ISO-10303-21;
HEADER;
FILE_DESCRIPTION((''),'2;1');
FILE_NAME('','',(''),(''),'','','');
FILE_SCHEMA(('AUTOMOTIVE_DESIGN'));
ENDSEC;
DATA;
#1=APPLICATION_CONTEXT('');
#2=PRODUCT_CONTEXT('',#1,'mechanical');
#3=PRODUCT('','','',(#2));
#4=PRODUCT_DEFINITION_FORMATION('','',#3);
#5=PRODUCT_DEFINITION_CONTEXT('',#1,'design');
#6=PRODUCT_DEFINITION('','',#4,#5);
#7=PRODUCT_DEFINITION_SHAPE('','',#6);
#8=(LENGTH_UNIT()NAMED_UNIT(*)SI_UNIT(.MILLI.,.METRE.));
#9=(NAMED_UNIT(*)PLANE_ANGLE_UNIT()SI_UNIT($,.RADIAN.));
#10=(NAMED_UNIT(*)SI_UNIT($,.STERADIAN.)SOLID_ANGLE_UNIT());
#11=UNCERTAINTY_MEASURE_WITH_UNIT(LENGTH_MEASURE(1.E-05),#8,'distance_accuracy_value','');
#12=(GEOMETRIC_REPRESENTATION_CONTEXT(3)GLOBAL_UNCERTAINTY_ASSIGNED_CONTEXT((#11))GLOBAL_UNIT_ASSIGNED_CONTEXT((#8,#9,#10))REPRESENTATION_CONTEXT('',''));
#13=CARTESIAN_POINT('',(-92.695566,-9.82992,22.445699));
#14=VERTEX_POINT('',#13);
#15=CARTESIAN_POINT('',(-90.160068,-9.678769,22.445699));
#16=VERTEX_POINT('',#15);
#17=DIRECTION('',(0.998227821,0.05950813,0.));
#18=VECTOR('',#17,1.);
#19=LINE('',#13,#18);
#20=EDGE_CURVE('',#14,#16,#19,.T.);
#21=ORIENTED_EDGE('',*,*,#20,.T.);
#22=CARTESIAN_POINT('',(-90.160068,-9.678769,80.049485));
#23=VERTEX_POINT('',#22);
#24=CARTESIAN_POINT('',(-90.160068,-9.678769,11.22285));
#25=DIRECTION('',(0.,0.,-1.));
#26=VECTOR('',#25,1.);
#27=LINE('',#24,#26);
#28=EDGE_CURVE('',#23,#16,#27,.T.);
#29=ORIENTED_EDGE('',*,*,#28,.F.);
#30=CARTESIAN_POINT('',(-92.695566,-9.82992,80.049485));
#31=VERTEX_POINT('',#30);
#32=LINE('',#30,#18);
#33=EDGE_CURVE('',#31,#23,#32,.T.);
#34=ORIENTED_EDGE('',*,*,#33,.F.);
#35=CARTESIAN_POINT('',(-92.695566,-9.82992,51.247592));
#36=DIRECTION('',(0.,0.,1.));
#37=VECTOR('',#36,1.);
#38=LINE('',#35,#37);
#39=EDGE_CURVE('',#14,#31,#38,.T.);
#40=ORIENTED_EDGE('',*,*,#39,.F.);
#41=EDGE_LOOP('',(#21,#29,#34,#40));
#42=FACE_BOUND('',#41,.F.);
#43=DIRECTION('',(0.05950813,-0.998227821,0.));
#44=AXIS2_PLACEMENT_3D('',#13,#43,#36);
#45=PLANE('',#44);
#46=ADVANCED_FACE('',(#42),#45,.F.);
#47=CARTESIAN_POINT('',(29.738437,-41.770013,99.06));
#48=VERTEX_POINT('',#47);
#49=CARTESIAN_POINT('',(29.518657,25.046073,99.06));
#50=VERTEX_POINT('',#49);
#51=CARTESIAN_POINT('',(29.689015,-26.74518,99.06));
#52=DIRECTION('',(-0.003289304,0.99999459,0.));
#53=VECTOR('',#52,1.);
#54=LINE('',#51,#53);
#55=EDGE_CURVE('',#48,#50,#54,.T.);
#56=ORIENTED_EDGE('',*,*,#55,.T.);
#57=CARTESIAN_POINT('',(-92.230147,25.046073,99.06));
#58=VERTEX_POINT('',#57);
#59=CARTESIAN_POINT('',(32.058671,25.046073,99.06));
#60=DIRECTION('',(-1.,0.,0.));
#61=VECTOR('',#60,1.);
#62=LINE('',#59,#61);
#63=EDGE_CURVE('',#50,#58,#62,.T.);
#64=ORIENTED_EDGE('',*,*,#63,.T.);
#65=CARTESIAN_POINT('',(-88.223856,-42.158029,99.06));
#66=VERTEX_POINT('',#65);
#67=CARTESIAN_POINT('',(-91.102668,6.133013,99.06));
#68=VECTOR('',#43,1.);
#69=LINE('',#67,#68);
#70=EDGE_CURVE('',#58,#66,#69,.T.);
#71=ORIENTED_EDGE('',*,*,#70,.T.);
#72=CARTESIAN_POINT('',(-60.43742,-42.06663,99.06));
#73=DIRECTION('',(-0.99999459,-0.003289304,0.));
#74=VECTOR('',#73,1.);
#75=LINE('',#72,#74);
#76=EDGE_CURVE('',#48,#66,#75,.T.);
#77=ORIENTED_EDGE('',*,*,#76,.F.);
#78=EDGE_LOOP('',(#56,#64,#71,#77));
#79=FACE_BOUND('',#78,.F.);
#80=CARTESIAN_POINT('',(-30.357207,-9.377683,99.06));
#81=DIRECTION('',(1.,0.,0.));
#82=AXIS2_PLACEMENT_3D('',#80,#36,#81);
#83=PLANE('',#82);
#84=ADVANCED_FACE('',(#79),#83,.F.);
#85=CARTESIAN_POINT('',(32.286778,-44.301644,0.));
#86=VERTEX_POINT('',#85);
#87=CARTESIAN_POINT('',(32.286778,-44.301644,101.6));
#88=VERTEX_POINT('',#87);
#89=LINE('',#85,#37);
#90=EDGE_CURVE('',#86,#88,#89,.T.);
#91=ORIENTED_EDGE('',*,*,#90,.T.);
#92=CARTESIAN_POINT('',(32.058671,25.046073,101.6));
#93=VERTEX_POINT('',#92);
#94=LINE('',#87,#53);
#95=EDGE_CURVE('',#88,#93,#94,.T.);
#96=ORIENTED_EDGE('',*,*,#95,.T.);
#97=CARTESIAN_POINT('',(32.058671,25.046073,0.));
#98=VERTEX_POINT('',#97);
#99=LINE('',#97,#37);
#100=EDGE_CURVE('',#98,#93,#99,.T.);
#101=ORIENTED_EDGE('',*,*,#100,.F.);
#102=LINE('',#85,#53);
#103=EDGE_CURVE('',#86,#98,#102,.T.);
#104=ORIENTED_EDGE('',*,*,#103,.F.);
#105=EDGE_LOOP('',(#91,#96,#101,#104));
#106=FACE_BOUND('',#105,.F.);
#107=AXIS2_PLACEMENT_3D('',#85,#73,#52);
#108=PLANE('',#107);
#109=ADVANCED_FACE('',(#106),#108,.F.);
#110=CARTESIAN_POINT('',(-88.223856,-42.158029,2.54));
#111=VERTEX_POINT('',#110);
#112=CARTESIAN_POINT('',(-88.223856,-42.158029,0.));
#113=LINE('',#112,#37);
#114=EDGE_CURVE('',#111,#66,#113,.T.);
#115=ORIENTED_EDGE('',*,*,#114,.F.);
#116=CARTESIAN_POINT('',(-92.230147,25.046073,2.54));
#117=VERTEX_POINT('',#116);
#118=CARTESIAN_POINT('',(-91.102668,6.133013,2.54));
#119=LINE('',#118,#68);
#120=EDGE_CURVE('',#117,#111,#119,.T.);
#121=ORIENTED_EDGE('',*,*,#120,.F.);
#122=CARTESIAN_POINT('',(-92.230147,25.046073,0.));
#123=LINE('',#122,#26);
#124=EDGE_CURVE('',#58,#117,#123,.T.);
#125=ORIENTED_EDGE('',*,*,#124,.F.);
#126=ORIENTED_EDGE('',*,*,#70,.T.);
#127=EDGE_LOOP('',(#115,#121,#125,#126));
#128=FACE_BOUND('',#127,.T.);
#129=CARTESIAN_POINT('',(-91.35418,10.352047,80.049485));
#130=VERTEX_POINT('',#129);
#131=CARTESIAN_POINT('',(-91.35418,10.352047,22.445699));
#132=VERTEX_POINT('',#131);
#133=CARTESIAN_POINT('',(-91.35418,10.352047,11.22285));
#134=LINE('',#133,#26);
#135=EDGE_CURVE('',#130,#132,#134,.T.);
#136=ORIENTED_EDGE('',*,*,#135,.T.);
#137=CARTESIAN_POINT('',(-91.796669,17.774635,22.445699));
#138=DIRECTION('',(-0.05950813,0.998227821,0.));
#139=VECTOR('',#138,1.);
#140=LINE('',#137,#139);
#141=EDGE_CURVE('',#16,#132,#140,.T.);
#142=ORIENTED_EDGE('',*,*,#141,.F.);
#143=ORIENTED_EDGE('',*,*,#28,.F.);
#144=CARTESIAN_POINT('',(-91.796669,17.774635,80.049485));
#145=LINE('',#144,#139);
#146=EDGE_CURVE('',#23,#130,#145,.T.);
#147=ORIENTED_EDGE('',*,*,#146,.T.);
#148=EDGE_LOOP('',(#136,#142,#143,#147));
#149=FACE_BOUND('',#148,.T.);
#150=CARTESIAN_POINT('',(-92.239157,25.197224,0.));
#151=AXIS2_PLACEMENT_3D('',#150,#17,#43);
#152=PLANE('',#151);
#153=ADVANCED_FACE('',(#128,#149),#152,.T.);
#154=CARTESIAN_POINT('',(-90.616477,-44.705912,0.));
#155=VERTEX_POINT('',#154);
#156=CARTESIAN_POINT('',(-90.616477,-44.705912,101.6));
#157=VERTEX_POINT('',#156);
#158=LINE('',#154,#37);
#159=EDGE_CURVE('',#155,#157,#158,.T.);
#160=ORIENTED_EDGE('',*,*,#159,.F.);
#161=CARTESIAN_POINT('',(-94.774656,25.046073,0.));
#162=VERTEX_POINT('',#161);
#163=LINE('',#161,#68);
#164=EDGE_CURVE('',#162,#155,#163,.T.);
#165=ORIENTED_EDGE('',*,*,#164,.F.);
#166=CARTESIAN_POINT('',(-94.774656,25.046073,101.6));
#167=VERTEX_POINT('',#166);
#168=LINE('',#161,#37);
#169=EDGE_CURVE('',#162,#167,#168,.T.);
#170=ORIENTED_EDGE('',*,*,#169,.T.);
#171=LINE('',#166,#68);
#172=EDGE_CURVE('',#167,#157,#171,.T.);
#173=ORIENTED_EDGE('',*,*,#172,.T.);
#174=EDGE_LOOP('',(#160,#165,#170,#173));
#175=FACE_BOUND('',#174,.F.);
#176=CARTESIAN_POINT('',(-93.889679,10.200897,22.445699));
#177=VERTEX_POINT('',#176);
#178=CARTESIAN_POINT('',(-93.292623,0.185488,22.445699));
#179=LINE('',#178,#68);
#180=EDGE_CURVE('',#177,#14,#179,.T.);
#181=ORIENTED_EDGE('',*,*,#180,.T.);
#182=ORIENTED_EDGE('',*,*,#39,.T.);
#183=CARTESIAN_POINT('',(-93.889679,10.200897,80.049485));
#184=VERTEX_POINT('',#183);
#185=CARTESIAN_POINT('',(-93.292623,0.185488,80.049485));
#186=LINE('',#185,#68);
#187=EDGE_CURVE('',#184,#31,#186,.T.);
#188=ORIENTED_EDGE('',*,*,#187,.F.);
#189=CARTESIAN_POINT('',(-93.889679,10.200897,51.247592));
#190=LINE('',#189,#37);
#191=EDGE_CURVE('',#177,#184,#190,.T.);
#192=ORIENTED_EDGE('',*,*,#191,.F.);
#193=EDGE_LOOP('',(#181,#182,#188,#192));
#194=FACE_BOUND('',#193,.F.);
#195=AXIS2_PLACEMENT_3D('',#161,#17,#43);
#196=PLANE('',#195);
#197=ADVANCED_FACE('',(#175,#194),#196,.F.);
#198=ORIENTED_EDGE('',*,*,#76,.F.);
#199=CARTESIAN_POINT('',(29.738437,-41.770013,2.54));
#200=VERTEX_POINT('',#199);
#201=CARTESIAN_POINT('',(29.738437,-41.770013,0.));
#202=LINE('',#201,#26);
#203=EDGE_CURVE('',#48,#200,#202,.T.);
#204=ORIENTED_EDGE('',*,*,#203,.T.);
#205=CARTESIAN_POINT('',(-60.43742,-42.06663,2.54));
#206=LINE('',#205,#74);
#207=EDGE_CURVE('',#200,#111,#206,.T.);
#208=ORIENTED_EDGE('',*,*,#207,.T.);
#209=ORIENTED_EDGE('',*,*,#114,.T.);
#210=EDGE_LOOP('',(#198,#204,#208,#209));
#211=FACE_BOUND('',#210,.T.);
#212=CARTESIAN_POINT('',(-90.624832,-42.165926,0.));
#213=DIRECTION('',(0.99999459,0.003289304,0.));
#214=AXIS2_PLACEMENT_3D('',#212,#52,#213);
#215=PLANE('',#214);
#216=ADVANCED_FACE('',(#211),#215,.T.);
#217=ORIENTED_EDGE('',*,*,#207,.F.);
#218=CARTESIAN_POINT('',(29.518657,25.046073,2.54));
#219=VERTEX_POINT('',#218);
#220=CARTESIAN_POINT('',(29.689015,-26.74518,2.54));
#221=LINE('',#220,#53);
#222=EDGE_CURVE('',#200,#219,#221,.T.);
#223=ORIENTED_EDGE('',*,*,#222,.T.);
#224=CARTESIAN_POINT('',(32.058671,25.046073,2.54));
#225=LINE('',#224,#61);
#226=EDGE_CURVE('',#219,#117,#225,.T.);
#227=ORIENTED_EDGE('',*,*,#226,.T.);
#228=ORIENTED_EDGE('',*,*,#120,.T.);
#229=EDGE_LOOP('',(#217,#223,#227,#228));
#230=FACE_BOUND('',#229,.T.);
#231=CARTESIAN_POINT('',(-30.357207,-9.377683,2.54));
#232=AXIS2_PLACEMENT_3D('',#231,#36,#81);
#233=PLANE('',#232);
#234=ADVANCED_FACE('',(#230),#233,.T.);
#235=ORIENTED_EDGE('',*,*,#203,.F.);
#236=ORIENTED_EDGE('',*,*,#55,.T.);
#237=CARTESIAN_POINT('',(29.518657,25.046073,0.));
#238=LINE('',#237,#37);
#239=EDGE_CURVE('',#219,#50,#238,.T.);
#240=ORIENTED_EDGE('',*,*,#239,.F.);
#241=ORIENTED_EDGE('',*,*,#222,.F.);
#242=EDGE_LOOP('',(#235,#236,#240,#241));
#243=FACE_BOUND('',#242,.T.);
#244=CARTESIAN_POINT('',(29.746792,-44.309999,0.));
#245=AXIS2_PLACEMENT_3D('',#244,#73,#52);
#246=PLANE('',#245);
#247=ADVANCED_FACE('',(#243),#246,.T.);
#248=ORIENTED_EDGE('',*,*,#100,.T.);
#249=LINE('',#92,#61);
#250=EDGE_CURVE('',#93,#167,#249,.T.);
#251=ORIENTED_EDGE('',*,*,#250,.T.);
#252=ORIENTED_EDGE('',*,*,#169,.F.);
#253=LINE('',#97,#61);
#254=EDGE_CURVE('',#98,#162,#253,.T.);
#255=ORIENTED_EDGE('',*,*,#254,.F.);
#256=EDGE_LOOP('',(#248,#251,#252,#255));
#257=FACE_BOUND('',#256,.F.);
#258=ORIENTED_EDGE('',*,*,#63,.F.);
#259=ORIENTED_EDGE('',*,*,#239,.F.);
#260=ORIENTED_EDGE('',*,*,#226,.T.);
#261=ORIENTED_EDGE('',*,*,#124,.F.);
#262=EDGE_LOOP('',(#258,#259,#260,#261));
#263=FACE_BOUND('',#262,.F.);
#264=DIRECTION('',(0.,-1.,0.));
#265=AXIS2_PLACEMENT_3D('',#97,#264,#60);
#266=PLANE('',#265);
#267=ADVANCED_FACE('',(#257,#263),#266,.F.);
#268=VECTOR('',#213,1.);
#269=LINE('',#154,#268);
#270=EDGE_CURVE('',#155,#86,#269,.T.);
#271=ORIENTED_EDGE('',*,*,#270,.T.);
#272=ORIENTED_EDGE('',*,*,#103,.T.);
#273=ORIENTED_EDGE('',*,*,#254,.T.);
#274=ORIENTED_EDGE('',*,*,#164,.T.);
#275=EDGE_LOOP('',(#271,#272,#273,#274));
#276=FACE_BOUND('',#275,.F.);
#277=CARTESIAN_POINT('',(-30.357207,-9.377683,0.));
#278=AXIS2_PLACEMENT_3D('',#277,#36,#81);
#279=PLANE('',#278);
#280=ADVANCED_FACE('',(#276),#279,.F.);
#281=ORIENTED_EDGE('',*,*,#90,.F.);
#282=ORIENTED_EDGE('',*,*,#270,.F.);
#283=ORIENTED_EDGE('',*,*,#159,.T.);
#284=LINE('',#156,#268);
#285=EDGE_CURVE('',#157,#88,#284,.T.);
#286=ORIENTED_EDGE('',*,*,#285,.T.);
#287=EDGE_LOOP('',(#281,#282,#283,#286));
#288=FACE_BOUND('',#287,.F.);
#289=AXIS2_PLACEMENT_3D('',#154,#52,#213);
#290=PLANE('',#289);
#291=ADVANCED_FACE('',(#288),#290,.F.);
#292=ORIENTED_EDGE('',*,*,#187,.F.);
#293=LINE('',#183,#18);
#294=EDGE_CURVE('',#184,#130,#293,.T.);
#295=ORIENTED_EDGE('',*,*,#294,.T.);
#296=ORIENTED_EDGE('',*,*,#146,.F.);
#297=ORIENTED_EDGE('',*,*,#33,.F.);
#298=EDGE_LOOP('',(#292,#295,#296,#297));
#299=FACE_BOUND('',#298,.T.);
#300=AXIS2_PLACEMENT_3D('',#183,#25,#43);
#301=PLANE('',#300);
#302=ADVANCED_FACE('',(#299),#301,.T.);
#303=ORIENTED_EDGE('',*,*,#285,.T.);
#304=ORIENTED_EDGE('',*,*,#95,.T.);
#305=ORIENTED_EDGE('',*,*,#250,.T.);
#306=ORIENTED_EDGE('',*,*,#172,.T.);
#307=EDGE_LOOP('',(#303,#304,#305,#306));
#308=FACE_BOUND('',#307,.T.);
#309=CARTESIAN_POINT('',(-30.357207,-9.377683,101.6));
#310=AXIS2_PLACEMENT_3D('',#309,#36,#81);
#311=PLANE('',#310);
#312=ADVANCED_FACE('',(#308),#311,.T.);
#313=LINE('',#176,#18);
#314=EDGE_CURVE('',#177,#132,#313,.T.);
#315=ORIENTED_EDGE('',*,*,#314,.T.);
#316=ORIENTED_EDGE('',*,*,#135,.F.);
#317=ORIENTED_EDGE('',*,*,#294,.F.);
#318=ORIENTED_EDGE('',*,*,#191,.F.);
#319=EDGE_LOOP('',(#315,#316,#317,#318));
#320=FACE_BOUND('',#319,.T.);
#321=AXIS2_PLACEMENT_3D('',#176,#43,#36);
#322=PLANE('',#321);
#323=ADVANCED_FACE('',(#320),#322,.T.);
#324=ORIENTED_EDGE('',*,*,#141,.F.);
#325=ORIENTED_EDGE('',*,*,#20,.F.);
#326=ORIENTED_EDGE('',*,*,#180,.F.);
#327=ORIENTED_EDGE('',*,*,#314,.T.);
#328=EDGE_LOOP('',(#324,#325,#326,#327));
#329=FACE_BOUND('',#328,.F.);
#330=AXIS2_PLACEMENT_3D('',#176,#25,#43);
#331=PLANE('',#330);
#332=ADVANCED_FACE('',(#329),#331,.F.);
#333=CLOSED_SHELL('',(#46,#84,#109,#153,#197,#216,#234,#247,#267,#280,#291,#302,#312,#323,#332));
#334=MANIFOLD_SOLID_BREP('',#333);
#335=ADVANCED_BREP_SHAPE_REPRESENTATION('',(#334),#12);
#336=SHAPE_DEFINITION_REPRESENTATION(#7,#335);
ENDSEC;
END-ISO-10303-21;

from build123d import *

# Parameters (mm, degrees)
F1_DEPTH = 101.6
F2_T     = -2.54
F3_W     = 20.0663776208
F3_H     = 57.6037857682
F4_DEPTH = 50.8


with BuildPart() as f1:
    # F0 (on Top) → F1 (new body)
    with BuildSketch(Plane.XY):
        Polygon((32.0586711168, 25.0460729003), (-94.7746559978, 25.0460729003), (-90.6164767412, -44.7059123562), (32.2867780924, -44.3016439676), align=None)
    extrude(amount=F1_DEPTH)

    # F2
    f2_openings = [f1.faces().sort_by_distance(p)[0] for p in [
        (-31.357992, 25.046073, 50.8),
    ]]
    offset(amount=F2_T, openings=f2_openings)

    # F3 (on face) → F4 (cut)
    with BuildSketch(Plane(origin=(-92.951234691, -5.5411741264, 0), x_dir=(0.0595081302, -0.9982278209, 0), z_dir=(-0.9982278209, -0.0595081302, 0))):
        with Locations((-5.7368292903, 51.2475920841)):
            Rectangle(F3_W, F3_H)
    extrude(amount=-F4_DEPTH, mode=Mode.SUBTRACT)


solid = f1.part
